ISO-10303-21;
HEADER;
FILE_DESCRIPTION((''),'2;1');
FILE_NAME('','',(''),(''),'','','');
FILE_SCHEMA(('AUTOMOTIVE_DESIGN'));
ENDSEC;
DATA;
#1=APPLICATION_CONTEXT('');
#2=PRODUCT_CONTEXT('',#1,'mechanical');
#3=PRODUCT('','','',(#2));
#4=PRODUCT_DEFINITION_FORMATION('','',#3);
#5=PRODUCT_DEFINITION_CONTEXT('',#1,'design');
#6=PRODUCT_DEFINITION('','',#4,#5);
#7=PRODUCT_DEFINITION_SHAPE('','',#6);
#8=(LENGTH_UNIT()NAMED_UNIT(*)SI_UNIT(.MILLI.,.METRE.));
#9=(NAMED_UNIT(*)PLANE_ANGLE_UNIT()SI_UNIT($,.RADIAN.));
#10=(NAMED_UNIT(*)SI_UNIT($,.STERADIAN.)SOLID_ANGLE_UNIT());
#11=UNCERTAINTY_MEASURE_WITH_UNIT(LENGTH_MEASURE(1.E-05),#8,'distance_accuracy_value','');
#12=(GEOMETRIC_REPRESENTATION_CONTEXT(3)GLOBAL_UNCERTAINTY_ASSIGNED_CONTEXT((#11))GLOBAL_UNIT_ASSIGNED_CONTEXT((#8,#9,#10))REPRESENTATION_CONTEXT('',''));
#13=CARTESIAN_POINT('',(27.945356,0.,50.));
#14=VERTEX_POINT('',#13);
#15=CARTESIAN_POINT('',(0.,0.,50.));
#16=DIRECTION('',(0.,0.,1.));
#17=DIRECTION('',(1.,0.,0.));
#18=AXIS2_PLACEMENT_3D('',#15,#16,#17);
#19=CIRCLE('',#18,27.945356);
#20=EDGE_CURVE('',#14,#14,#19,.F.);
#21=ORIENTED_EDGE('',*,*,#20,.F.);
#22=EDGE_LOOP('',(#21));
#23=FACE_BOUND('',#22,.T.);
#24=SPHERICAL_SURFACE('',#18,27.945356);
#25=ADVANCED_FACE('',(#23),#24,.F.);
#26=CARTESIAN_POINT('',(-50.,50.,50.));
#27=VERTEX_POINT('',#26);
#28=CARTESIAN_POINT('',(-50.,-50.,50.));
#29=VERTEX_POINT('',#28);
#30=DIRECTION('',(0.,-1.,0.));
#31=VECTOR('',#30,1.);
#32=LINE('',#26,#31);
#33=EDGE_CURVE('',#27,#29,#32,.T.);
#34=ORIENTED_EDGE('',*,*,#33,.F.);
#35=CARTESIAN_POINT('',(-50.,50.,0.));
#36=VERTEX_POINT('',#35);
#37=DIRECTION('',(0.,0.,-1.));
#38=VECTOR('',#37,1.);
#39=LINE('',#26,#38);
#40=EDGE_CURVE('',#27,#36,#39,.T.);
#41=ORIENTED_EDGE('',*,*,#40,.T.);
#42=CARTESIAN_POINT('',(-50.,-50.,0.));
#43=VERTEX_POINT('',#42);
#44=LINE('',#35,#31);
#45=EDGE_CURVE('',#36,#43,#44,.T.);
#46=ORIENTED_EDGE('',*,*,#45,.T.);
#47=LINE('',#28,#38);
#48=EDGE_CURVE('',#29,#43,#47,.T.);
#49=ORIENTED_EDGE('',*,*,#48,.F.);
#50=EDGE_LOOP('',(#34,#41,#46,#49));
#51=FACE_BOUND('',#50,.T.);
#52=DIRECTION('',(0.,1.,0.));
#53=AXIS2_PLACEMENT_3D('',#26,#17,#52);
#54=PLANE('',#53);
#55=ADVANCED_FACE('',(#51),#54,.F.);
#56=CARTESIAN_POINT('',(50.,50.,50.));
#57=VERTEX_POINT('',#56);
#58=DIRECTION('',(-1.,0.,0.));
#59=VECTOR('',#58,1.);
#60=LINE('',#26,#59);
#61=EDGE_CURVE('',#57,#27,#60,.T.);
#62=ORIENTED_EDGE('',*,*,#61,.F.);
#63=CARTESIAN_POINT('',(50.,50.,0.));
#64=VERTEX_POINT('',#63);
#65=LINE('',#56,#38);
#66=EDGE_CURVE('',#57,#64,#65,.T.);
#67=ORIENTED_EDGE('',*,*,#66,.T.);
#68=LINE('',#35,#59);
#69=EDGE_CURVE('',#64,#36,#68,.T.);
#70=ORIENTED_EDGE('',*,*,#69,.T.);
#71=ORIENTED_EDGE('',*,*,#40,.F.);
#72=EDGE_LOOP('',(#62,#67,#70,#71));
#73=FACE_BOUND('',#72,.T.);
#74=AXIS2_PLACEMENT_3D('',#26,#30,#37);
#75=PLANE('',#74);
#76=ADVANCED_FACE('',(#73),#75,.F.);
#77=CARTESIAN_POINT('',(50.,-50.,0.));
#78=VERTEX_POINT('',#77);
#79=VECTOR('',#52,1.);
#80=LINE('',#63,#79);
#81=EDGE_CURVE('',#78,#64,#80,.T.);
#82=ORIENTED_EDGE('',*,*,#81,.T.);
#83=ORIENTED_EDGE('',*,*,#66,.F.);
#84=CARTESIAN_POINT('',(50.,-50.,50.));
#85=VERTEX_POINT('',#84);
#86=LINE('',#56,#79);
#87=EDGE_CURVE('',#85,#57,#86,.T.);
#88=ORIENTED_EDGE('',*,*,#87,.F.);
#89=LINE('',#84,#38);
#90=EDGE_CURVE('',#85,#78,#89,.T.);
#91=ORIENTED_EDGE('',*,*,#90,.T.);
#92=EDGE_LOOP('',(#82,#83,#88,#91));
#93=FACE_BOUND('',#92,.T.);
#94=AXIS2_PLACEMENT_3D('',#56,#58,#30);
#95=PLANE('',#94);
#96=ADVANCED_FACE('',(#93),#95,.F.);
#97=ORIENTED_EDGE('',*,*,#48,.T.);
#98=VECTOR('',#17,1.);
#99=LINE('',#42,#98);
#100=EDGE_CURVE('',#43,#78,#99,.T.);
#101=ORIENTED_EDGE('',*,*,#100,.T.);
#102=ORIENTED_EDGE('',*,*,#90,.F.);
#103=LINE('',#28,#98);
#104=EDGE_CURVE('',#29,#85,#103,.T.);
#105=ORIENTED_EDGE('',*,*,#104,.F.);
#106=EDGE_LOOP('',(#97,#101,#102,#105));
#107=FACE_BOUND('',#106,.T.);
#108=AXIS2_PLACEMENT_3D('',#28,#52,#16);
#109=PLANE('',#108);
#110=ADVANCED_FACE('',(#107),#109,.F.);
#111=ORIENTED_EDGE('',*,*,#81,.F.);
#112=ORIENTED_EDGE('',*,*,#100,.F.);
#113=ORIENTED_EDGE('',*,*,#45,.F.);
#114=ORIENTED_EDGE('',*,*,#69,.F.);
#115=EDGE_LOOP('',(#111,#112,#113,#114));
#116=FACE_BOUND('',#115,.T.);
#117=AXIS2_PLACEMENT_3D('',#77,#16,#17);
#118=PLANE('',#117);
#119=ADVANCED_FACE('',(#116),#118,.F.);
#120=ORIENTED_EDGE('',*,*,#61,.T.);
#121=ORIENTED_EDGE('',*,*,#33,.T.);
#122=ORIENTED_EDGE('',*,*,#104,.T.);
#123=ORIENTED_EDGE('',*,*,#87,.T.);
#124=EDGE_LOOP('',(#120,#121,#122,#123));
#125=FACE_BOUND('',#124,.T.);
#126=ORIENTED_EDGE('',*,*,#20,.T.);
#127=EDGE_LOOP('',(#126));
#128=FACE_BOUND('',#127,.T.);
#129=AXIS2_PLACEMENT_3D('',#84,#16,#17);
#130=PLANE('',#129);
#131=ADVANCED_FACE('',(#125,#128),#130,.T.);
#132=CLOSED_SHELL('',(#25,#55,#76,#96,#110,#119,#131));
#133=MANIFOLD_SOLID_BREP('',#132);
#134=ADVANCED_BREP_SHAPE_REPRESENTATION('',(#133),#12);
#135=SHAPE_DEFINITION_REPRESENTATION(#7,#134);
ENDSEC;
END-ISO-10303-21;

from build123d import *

# Parameters (mm, degrees)
ESBO_O1_W       = 100
ESBO_O1_H       = 100
EXTRUS_O1_DEPTH = 50


with BuildPart() as part:
    # Esboço1 → Extrusão1 (new body)
    with BuildSketch(Plane.XY):
        Rectangle(ESBO_O1_W, ESBO_O1_H)
    extrude(amount=EXTRUS_O1_DEPTH)

    # Esboço2 → Corte-Revolução1 (revolve, cut)
    with BuildSketch(Plane.XY.offset(50)):
        with BuildLine():
            Line((-27.945356346, 0), (27.945356346, 0))
            ThreePointArc((27.945356346, 0), (0, 27.945356346), (-27.945356346, 0))
        make_face()
    revolve(axis=Axis((-27.945356346, 0, 50), (1, 0, 0)), mode=Mode.SUBTRACT)


solid = part.part
